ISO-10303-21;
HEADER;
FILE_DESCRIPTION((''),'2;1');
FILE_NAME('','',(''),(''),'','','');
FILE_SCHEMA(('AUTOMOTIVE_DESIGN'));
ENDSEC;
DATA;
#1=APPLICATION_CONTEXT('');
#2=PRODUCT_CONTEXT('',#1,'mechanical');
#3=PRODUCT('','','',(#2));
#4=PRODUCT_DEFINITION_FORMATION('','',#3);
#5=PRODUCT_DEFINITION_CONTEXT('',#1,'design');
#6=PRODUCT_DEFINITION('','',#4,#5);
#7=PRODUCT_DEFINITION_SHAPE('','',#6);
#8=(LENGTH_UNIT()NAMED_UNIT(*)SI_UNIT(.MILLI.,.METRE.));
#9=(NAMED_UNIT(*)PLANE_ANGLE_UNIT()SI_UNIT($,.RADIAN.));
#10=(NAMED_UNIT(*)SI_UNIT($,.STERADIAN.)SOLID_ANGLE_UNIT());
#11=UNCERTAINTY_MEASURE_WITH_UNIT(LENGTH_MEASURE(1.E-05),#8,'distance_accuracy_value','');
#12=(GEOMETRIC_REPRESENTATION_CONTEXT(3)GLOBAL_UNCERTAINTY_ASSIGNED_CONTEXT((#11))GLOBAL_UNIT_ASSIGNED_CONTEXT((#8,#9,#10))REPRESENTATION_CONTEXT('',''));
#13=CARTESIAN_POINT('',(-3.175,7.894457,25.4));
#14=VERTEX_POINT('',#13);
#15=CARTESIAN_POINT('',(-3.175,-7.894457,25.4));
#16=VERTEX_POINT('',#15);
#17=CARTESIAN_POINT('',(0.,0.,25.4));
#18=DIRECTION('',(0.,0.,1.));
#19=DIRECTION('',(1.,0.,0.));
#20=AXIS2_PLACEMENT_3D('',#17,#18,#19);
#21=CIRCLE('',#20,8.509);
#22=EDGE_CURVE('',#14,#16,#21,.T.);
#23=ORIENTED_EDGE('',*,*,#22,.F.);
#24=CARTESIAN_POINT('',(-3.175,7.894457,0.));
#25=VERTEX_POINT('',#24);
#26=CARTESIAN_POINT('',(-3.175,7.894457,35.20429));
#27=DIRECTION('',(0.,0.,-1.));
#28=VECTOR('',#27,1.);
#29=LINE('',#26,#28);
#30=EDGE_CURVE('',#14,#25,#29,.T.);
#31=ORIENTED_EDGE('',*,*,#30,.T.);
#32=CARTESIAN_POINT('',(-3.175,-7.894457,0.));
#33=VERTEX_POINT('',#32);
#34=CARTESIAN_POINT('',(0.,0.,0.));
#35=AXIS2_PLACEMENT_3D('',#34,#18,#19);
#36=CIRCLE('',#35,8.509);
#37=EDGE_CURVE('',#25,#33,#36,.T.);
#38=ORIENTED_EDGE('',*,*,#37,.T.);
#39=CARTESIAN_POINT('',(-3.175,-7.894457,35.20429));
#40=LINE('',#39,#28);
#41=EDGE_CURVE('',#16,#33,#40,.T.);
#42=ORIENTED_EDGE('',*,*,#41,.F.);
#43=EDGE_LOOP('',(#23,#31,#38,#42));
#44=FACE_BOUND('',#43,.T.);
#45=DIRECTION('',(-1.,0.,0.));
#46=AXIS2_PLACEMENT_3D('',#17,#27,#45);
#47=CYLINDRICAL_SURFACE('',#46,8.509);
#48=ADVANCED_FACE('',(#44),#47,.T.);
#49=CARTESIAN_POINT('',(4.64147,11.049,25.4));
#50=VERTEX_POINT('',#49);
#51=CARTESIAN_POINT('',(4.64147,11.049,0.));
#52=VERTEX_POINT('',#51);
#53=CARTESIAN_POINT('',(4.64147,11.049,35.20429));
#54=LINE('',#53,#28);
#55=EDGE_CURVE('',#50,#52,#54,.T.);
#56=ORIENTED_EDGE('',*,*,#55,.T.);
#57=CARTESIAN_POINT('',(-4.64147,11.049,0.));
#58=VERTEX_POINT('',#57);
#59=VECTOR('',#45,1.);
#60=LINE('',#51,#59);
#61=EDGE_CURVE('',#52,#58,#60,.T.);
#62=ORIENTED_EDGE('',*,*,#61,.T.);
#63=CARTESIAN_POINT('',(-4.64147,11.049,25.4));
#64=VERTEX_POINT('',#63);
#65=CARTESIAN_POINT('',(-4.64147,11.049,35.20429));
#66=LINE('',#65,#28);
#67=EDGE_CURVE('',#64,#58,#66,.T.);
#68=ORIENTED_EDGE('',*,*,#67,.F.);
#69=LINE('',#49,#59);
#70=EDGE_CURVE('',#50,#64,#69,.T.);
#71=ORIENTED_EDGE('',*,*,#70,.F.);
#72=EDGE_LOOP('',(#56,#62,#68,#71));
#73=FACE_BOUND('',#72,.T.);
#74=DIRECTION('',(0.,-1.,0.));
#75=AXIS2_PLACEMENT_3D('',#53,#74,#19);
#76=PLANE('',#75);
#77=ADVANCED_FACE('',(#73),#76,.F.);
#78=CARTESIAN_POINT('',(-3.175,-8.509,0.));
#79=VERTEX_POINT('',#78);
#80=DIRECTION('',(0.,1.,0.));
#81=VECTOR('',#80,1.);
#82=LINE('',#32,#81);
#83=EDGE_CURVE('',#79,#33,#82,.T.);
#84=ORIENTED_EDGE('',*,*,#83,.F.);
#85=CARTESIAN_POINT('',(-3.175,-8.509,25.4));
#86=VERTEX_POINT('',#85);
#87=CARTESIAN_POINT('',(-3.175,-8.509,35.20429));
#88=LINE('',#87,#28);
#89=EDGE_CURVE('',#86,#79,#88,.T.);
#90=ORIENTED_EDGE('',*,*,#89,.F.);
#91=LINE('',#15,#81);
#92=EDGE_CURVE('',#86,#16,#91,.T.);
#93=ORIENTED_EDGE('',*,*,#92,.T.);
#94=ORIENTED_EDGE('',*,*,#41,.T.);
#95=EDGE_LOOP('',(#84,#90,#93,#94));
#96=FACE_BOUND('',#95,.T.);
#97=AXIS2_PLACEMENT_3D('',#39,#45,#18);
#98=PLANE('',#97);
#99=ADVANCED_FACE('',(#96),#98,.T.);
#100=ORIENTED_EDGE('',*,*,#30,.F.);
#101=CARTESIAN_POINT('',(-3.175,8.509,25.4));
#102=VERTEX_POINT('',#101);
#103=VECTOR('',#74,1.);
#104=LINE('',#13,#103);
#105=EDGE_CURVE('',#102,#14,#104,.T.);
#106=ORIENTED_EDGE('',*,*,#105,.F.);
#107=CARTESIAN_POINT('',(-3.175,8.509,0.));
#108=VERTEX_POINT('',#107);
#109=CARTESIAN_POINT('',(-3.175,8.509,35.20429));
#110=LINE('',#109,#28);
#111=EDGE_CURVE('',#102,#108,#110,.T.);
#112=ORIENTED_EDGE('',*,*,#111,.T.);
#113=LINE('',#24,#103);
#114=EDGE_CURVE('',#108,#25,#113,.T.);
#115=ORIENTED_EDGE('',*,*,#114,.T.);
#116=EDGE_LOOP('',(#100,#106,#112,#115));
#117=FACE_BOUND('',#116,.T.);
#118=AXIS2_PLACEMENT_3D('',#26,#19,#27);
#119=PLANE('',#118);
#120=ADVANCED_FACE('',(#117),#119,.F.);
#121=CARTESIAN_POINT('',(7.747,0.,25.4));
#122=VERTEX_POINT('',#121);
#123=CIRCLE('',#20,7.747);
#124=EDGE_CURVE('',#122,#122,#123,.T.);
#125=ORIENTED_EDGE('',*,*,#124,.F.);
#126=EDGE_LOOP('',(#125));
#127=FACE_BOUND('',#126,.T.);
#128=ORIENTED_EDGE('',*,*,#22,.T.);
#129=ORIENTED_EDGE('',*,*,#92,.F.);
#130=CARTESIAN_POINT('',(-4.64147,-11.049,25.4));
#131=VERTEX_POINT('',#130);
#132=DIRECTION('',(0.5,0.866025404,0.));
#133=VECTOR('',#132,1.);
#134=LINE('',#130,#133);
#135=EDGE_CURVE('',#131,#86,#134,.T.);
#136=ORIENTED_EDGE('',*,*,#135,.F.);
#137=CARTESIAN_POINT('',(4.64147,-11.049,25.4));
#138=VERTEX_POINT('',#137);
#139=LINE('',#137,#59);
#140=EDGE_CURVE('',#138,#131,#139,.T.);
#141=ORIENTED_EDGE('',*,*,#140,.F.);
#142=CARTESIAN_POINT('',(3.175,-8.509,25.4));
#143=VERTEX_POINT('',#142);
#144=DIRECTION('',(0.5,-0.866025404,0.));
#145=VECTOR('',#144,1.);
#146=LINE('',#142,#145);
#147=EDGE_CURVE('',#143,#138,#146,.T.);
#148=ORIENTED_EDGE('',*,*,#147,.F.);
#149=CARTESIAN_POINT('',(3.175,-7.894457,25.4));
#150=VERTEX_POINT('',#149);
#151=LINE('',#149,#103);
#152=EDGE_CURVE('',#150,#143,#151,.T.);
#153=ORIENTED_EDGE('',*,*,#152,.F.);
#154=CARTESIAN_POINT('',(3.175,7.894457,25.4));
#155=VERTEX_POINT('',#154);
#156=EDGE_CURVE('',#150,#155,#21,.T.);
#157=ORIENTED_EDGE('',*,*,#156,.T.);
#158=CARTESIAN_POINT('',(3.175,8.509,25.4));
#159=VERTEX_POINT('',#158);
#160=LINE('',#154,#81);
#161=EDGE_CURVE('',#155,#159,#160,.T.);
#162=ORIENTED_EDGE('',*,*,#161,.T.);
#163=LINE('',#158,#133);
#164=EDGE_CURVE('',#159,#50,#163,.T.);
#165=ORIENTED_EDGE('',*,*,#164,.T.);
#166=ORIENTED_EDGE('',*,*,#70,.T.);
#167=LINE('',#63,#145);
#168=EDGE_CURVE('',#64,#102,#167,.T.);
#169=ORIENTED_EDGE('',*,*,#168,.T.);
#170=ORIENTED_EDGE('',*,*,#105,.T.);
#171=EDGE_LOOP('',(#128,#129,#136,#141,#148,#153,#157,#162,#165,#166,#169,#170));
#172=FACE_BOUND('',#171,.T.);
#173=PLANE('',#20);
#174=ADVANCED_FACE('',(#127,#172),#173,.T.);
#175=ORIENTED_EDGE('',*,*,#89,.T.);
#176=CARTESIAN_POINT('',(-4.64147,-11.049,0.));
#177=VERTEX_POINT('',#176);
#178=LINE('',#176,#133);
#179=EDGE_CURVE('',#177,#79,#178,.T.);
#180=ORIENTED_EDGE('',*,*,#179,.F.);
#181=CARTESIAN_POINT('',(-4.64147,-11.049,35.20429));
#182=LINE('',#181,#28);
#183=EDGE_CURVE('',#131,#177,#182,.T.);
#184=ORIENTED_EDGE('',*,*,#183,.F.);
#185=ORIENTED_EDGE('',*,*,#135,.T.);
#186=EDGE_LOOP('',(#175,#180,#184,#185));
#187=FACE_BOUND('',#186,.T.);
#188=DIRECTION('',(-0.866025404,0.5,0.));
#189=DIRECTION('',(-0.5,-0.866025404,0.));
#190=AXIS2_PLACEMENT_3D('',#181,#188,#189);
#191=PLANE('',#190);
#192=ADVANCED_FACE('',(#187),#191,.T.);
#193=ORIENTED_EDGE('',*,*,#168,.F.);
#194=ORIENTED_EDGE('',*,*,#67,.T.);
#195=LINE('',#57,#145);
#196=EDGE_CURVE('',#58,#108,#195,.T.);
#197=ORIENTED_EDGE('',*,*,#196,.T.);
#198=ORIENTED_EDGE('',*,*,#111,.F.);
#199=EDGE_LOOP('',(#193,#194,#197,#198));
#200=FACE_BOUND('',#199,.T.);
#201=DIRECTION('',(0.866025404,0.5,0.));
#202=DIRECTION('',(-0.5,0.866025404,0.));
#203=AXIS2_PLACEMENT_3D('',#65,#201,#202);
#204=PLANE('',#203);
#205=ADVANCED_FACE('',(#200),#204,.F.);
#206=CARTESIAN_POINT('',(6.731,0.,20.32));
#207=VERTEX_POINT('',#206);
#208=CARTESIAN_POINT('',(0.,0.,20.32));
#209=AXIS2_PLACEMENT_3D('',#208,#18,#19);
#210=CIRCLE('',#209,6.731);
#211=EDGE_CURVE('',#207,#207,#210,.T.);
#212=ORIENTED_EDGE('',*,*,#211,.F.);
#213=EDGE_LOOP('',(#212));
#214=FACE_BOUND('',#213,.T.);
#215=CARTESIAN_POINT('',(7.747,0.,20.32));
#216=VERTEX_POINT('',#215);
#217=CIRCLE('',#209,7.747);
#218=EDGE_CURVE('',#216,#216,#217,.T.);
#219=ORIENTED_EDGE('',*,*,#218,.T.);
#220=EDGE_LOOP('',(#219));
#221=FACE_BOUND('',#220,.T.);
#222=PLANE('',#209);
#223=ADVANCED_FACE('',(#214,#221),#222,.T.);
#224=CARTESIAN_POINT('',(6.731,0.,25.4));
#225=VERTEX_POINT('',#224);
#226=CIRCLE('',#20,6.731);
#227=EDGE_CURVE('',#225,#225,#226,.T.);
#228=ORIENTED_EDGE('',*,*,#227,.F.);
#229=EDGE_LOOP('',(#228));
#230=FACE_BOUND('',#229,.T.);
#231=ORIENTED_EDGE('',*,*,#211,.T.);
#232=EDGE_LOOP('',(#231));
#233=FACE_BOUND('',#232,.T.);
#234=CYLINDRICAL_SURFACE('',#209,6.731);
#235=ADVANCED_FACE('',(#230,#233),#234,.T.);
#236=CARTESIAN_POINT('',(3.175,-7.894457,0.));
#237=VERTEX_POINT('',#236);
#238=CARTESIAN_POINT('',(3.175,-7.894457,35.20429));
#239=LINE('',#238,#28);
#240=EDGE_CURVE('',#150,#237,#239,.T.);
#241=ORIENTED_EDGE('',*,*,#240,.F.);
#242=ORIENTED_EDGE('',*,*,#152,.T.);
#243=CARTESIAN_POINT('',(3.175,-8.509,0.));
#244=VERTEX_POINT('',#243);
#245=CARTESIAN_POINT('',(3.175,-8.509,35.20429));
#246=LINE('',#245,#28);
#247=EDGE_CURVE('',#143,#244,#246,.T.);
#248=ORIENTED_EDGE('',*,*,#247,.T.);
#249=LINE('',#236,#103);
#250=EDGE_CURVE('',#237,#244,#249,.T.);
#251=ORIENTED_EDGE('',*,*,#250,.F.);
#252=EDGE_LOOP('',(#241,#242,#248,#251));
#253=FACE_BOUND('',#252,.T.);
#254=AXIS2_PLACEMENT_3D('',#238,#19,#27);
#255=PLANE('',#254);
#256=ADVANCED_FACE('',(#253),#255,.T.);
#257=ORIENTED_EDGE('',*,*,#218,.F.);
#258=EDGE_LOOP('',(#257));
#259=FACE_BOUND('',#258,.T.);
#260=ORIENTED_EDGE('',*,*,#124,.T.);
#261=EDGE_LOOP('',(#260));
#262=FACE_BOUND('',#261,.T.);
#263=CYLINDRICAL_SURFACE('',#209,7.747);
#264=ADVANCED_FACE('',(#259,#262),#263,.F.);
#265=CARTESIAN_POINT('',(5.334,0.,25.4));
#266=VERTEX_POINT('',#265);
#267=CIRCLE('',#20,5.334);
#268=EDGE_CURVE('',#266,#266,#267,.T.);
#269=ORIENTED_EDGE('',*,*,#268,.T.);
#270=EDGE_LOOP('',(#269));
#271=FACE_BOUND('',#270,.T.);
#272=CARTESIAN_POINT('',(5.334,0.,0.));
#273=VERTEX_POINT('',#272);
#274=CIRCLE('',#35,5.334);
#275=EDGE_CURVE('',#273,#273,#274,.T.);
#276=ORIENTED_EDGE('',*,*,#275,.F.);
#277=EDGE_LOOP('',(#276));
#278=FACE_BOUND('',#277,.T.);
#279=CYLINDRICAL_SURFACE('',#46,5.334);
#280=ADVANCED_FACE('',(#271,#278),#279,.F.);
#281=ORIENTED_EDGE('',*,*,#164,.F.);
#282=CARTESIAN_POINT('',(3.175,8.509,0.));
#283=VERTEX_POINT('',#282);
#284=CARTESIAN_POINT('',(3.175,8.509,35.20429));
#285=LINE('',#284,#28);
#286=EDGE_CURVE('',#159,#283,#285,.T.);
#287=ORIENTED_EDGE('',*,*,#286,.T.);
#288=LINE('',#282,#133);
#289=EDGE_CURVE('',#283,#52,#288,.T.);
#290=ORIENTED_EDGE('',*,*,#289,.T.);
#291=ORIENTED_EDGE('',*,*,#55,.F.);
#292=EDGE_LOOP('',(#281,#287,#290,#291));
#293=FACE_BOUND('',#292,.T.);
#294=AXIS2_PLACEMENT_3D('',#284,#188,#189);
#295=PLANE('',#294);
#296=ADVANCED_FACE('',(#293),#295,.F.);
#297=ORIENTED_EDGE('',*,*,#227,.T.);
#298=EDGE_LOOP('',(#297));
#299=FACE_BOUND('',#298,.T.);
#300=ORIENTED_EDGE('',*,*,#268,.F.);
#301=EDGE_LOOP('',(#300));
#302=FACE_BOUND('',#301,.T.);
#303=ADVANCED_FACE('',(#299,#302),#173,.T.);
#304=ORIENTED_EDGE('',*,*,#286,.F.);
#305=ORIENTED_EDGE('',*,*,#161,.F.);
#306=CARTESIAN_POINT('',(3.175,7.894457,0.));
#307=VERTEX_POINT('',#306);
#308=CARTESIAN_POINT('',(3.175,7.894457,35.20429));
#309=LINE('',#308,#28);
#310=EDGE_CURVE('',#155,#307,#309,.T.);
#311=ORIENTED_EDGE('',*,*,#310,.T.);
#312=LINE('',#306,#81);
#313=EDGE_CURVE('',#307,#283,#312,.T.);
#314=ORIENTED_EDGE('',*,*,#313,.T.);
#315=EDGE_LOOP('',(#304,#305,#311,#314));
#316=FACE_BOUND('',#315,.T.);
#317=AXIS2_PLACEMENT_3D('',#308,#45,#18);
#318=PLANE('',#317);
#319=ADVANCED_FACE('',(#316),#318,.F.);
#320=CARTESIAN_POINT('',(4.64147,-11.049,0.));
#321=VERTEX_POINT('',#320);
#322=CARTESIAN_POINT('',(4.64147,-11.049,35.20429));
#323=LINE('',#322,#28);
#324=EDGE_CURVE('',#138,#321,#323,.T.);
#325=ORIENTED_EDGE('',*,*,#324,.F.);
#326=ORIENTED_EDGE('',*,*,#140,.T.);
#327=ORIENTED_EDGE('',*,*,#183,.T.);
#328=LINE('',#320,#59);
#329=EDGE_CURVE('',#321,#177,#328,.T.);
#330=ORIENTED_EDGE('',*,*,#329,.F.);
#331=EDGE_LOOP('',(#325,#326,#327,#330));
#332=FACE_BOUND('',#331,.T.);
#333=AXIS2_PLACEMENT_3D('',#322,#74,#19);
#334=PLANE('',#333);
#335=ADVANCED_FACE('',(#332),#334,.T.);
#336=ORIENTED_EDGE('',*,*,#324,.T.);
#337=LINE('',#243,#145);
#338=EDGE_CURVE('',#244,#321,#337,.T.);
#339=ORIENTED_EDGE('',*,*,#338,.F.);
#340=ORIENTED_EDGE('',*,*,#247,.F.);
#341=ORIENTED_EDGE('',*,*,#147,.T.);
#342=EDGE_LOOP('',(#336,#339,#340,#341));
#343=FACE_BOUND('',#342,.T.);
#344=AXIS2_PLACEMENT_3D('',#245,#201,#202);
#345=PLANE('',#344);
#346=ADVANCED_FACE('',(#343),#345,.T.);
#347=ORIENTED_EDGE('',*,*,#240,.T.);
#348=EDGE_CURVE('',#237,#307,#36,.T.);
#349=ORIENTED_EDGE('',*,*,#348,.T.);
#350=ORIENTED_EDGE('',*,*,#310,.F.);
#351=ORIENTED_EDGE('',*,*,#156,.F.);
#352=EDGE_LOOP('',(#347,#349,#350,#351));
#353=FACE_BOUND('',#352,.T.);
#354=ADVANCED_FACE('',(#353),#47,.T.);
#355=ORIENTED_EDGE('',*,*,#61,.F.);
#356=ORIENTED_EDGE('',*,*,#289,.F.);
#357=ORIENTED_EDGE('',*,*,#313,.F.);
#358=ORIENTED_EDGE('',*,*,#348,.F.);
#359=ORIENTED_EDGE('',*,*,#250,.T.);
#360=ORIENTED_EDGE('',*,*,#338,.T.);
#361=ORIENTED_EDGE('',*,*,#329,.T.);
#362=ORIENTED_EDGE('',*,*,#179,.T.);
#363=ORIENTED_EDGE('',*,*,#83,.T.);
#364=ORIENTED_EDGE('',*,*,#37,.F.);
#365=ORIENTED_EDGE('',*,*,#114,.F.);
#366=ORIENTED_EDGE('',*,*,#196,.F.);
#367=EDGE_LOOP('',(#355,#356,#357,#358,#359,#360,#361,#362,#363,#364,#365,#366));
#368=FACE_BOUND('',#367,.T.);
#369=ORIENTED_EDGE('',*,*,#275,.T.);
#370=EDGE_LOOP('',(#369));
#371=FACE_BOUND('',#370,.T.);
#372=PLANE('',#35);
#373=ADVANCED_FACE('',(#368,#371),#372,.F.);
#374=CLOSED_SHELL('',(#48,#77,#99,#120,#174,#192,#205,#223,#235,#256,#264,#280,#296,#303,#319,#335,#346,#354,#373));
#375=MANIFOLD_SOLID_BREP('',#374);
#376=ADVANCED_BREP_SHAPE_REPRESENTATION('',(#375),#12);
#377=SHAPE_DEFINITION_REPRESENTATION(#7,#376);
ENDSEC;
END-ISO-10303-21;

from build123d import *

# Parameters (mm, degrees)
SKETCH1_R           = 8.509
SKETCH1_R_2         = 5.334
BOSS_EXTRUDE1_DEPTH = 25.4
SKETCH2_R           = 7.747
SKETCH2_R_2         = 6.731
CUT_EXTRUDE1_DEPTH  = 5.08
BOSS_EXTRUDE2_DEPTH = 25.4


with BuildPart() as part:
    # Sketch1 → Boss-Extrude1 (new body)
    with BuildSketch(Plane.XY):
        Circle(SKETCH1_R)
        Circle(SKETCH1_R_2, mode=Mode.SUBTRACT)
    extrude(amount=BOSS_EXTRUDE1_DEPTH)

    # Sketch2 → Cut-Extrude1 (cut)
    with BuildSketch(Plane.XY.offset(25.4)):
        Circle(SKETCH2_R)
        Circle(SKETCH2_R_2, mode=Mode.SUBTRACT)
    extrude(amount=-CUT_EXTRUDE1_DEPTH, mode=Mode.SUBTRACT)

    # Sketch3 → Boss-Extrude2 (add)
    with BuildSketch(Plane.XY):
        with BuildLine():
            Line((-3.175, 7.894457296), (-3.175, 8.509))
            Line((-3.175, 8.509), (-4.641469684, 11.049))
            Line((-4.641469684, 11.049), (4.641469684, 11.049))
            Line((4.641469684, 11.049), (3.175, 8.509))
            Line((3.175, 8.509), (3.175, 7.894457296))
            ThreePointArc((3.175, 7.894457296), (0, 8.509), (-3.175, 7.894457296))
        make_face()
    boss_extrude2 = extrude(amount=BOSS_EXTRUDE2_DEPTH)

    # Mirror1: Boss-Extrude2 across plane
    add(boss_extrude2.mirror(Plane.ZX))


solid = part.part
